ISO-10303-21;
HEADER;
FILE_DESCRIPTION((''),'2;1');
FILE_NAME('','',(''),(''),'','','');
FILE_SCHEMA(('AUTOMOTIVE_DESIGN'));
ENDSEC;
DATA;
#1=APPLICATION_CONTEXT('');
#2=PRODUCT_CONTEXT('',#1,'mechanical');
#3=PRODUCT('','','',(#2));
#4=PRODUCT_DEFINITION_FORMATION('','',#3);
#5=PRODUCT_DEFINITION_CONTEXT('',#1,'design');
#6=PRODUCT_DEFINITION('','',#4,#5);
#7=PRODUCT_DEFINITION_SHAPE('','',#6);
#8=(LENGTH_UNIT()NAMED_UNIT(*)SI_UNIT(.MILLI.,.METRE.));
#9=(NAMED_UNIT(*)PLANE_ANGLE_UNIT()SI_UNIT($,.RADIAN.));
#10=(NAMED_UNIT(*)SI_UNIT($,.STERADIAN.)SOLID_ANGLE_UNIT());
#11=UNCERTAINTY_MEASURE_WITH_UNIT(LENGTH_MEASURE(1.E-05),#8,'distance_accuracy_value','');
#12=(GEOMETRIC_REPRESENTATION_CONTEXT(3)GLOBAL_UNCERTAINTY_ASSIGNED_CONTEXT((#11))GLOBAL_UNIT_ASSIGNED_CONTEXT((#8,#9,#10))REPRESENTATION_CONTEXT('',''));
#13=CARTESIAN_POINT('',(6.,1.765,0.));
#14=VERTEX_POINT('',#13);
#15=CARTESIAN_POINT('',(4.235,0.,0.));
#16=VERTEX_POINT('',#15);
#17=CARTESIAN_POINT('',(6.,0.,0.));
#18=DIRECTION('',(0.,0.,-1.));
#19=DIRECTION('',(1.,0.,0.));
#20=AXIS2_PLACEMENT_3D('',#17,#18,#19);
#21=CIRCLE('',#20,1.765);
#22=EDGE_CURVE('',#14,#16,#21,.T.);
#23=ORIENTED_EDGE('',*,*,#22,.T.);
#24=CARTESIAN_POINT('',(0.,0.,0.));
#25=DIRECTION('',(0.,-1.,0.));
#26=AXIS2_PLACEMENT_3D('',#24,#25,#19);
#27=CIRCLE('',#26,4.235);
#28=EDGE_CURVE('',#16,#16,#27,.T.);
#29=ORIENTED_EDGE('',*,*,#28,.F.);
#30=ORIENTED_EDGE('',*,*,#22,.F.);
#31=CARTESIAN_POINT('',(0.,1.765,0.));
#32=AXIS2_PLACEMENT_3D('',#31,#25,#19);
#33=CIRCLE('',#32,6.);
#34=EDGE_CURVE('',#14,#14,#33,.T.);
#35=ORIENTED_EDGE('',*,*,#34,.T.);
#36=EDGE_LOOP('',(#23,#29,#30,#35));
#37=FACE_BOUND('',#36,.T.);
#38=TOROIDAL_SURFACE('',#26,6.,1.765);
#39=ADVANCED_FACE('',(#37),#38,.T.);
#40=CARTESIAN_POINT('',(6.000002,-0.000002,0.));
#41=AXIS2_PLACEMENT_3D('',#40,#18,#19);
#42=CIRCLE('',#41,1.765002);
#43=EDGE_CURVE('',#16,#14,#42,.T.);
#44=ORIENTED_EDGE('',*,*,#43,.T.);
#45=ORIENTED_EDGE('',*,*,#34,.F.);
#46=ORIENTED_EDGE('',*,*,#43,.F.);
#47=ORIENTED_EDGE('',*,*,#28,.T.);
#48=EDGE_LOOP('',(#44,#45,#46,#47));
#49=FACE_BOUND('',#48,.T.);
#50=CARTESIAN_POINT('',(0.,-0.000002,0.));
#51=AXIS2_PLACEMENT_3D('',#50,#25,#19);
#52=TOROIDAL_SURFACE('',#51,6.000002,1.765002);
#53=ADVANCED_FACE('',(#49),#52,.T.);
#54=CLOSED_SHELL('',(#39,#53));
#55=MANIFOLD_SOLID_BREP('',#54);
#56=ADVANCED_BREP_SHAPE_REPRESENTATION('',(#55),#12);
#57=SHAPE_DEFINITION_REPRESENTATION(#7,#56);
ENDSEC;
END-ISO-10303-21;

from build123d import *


with BuildPart() as f2:
    # F2: sweep along a path in F0
    with BuildLine(Plane.XZ) as f2_path:
        CenterArc((0, 0), 6, 0, 360)
    # F1 (on Right) → F2 (sweep)
    with BuildSketch(Plane.YZ):
        with BuildLine():
            ThreePointArc((0, 4.235), (1.248043, 4.751957), (1.765, 6))
            ThreePointArc((1.765, 6), (-1.248043, 7.248043), (0, 4.235))
        make_face()
    sweep(path=f2_path.line)


solid = f2.part
